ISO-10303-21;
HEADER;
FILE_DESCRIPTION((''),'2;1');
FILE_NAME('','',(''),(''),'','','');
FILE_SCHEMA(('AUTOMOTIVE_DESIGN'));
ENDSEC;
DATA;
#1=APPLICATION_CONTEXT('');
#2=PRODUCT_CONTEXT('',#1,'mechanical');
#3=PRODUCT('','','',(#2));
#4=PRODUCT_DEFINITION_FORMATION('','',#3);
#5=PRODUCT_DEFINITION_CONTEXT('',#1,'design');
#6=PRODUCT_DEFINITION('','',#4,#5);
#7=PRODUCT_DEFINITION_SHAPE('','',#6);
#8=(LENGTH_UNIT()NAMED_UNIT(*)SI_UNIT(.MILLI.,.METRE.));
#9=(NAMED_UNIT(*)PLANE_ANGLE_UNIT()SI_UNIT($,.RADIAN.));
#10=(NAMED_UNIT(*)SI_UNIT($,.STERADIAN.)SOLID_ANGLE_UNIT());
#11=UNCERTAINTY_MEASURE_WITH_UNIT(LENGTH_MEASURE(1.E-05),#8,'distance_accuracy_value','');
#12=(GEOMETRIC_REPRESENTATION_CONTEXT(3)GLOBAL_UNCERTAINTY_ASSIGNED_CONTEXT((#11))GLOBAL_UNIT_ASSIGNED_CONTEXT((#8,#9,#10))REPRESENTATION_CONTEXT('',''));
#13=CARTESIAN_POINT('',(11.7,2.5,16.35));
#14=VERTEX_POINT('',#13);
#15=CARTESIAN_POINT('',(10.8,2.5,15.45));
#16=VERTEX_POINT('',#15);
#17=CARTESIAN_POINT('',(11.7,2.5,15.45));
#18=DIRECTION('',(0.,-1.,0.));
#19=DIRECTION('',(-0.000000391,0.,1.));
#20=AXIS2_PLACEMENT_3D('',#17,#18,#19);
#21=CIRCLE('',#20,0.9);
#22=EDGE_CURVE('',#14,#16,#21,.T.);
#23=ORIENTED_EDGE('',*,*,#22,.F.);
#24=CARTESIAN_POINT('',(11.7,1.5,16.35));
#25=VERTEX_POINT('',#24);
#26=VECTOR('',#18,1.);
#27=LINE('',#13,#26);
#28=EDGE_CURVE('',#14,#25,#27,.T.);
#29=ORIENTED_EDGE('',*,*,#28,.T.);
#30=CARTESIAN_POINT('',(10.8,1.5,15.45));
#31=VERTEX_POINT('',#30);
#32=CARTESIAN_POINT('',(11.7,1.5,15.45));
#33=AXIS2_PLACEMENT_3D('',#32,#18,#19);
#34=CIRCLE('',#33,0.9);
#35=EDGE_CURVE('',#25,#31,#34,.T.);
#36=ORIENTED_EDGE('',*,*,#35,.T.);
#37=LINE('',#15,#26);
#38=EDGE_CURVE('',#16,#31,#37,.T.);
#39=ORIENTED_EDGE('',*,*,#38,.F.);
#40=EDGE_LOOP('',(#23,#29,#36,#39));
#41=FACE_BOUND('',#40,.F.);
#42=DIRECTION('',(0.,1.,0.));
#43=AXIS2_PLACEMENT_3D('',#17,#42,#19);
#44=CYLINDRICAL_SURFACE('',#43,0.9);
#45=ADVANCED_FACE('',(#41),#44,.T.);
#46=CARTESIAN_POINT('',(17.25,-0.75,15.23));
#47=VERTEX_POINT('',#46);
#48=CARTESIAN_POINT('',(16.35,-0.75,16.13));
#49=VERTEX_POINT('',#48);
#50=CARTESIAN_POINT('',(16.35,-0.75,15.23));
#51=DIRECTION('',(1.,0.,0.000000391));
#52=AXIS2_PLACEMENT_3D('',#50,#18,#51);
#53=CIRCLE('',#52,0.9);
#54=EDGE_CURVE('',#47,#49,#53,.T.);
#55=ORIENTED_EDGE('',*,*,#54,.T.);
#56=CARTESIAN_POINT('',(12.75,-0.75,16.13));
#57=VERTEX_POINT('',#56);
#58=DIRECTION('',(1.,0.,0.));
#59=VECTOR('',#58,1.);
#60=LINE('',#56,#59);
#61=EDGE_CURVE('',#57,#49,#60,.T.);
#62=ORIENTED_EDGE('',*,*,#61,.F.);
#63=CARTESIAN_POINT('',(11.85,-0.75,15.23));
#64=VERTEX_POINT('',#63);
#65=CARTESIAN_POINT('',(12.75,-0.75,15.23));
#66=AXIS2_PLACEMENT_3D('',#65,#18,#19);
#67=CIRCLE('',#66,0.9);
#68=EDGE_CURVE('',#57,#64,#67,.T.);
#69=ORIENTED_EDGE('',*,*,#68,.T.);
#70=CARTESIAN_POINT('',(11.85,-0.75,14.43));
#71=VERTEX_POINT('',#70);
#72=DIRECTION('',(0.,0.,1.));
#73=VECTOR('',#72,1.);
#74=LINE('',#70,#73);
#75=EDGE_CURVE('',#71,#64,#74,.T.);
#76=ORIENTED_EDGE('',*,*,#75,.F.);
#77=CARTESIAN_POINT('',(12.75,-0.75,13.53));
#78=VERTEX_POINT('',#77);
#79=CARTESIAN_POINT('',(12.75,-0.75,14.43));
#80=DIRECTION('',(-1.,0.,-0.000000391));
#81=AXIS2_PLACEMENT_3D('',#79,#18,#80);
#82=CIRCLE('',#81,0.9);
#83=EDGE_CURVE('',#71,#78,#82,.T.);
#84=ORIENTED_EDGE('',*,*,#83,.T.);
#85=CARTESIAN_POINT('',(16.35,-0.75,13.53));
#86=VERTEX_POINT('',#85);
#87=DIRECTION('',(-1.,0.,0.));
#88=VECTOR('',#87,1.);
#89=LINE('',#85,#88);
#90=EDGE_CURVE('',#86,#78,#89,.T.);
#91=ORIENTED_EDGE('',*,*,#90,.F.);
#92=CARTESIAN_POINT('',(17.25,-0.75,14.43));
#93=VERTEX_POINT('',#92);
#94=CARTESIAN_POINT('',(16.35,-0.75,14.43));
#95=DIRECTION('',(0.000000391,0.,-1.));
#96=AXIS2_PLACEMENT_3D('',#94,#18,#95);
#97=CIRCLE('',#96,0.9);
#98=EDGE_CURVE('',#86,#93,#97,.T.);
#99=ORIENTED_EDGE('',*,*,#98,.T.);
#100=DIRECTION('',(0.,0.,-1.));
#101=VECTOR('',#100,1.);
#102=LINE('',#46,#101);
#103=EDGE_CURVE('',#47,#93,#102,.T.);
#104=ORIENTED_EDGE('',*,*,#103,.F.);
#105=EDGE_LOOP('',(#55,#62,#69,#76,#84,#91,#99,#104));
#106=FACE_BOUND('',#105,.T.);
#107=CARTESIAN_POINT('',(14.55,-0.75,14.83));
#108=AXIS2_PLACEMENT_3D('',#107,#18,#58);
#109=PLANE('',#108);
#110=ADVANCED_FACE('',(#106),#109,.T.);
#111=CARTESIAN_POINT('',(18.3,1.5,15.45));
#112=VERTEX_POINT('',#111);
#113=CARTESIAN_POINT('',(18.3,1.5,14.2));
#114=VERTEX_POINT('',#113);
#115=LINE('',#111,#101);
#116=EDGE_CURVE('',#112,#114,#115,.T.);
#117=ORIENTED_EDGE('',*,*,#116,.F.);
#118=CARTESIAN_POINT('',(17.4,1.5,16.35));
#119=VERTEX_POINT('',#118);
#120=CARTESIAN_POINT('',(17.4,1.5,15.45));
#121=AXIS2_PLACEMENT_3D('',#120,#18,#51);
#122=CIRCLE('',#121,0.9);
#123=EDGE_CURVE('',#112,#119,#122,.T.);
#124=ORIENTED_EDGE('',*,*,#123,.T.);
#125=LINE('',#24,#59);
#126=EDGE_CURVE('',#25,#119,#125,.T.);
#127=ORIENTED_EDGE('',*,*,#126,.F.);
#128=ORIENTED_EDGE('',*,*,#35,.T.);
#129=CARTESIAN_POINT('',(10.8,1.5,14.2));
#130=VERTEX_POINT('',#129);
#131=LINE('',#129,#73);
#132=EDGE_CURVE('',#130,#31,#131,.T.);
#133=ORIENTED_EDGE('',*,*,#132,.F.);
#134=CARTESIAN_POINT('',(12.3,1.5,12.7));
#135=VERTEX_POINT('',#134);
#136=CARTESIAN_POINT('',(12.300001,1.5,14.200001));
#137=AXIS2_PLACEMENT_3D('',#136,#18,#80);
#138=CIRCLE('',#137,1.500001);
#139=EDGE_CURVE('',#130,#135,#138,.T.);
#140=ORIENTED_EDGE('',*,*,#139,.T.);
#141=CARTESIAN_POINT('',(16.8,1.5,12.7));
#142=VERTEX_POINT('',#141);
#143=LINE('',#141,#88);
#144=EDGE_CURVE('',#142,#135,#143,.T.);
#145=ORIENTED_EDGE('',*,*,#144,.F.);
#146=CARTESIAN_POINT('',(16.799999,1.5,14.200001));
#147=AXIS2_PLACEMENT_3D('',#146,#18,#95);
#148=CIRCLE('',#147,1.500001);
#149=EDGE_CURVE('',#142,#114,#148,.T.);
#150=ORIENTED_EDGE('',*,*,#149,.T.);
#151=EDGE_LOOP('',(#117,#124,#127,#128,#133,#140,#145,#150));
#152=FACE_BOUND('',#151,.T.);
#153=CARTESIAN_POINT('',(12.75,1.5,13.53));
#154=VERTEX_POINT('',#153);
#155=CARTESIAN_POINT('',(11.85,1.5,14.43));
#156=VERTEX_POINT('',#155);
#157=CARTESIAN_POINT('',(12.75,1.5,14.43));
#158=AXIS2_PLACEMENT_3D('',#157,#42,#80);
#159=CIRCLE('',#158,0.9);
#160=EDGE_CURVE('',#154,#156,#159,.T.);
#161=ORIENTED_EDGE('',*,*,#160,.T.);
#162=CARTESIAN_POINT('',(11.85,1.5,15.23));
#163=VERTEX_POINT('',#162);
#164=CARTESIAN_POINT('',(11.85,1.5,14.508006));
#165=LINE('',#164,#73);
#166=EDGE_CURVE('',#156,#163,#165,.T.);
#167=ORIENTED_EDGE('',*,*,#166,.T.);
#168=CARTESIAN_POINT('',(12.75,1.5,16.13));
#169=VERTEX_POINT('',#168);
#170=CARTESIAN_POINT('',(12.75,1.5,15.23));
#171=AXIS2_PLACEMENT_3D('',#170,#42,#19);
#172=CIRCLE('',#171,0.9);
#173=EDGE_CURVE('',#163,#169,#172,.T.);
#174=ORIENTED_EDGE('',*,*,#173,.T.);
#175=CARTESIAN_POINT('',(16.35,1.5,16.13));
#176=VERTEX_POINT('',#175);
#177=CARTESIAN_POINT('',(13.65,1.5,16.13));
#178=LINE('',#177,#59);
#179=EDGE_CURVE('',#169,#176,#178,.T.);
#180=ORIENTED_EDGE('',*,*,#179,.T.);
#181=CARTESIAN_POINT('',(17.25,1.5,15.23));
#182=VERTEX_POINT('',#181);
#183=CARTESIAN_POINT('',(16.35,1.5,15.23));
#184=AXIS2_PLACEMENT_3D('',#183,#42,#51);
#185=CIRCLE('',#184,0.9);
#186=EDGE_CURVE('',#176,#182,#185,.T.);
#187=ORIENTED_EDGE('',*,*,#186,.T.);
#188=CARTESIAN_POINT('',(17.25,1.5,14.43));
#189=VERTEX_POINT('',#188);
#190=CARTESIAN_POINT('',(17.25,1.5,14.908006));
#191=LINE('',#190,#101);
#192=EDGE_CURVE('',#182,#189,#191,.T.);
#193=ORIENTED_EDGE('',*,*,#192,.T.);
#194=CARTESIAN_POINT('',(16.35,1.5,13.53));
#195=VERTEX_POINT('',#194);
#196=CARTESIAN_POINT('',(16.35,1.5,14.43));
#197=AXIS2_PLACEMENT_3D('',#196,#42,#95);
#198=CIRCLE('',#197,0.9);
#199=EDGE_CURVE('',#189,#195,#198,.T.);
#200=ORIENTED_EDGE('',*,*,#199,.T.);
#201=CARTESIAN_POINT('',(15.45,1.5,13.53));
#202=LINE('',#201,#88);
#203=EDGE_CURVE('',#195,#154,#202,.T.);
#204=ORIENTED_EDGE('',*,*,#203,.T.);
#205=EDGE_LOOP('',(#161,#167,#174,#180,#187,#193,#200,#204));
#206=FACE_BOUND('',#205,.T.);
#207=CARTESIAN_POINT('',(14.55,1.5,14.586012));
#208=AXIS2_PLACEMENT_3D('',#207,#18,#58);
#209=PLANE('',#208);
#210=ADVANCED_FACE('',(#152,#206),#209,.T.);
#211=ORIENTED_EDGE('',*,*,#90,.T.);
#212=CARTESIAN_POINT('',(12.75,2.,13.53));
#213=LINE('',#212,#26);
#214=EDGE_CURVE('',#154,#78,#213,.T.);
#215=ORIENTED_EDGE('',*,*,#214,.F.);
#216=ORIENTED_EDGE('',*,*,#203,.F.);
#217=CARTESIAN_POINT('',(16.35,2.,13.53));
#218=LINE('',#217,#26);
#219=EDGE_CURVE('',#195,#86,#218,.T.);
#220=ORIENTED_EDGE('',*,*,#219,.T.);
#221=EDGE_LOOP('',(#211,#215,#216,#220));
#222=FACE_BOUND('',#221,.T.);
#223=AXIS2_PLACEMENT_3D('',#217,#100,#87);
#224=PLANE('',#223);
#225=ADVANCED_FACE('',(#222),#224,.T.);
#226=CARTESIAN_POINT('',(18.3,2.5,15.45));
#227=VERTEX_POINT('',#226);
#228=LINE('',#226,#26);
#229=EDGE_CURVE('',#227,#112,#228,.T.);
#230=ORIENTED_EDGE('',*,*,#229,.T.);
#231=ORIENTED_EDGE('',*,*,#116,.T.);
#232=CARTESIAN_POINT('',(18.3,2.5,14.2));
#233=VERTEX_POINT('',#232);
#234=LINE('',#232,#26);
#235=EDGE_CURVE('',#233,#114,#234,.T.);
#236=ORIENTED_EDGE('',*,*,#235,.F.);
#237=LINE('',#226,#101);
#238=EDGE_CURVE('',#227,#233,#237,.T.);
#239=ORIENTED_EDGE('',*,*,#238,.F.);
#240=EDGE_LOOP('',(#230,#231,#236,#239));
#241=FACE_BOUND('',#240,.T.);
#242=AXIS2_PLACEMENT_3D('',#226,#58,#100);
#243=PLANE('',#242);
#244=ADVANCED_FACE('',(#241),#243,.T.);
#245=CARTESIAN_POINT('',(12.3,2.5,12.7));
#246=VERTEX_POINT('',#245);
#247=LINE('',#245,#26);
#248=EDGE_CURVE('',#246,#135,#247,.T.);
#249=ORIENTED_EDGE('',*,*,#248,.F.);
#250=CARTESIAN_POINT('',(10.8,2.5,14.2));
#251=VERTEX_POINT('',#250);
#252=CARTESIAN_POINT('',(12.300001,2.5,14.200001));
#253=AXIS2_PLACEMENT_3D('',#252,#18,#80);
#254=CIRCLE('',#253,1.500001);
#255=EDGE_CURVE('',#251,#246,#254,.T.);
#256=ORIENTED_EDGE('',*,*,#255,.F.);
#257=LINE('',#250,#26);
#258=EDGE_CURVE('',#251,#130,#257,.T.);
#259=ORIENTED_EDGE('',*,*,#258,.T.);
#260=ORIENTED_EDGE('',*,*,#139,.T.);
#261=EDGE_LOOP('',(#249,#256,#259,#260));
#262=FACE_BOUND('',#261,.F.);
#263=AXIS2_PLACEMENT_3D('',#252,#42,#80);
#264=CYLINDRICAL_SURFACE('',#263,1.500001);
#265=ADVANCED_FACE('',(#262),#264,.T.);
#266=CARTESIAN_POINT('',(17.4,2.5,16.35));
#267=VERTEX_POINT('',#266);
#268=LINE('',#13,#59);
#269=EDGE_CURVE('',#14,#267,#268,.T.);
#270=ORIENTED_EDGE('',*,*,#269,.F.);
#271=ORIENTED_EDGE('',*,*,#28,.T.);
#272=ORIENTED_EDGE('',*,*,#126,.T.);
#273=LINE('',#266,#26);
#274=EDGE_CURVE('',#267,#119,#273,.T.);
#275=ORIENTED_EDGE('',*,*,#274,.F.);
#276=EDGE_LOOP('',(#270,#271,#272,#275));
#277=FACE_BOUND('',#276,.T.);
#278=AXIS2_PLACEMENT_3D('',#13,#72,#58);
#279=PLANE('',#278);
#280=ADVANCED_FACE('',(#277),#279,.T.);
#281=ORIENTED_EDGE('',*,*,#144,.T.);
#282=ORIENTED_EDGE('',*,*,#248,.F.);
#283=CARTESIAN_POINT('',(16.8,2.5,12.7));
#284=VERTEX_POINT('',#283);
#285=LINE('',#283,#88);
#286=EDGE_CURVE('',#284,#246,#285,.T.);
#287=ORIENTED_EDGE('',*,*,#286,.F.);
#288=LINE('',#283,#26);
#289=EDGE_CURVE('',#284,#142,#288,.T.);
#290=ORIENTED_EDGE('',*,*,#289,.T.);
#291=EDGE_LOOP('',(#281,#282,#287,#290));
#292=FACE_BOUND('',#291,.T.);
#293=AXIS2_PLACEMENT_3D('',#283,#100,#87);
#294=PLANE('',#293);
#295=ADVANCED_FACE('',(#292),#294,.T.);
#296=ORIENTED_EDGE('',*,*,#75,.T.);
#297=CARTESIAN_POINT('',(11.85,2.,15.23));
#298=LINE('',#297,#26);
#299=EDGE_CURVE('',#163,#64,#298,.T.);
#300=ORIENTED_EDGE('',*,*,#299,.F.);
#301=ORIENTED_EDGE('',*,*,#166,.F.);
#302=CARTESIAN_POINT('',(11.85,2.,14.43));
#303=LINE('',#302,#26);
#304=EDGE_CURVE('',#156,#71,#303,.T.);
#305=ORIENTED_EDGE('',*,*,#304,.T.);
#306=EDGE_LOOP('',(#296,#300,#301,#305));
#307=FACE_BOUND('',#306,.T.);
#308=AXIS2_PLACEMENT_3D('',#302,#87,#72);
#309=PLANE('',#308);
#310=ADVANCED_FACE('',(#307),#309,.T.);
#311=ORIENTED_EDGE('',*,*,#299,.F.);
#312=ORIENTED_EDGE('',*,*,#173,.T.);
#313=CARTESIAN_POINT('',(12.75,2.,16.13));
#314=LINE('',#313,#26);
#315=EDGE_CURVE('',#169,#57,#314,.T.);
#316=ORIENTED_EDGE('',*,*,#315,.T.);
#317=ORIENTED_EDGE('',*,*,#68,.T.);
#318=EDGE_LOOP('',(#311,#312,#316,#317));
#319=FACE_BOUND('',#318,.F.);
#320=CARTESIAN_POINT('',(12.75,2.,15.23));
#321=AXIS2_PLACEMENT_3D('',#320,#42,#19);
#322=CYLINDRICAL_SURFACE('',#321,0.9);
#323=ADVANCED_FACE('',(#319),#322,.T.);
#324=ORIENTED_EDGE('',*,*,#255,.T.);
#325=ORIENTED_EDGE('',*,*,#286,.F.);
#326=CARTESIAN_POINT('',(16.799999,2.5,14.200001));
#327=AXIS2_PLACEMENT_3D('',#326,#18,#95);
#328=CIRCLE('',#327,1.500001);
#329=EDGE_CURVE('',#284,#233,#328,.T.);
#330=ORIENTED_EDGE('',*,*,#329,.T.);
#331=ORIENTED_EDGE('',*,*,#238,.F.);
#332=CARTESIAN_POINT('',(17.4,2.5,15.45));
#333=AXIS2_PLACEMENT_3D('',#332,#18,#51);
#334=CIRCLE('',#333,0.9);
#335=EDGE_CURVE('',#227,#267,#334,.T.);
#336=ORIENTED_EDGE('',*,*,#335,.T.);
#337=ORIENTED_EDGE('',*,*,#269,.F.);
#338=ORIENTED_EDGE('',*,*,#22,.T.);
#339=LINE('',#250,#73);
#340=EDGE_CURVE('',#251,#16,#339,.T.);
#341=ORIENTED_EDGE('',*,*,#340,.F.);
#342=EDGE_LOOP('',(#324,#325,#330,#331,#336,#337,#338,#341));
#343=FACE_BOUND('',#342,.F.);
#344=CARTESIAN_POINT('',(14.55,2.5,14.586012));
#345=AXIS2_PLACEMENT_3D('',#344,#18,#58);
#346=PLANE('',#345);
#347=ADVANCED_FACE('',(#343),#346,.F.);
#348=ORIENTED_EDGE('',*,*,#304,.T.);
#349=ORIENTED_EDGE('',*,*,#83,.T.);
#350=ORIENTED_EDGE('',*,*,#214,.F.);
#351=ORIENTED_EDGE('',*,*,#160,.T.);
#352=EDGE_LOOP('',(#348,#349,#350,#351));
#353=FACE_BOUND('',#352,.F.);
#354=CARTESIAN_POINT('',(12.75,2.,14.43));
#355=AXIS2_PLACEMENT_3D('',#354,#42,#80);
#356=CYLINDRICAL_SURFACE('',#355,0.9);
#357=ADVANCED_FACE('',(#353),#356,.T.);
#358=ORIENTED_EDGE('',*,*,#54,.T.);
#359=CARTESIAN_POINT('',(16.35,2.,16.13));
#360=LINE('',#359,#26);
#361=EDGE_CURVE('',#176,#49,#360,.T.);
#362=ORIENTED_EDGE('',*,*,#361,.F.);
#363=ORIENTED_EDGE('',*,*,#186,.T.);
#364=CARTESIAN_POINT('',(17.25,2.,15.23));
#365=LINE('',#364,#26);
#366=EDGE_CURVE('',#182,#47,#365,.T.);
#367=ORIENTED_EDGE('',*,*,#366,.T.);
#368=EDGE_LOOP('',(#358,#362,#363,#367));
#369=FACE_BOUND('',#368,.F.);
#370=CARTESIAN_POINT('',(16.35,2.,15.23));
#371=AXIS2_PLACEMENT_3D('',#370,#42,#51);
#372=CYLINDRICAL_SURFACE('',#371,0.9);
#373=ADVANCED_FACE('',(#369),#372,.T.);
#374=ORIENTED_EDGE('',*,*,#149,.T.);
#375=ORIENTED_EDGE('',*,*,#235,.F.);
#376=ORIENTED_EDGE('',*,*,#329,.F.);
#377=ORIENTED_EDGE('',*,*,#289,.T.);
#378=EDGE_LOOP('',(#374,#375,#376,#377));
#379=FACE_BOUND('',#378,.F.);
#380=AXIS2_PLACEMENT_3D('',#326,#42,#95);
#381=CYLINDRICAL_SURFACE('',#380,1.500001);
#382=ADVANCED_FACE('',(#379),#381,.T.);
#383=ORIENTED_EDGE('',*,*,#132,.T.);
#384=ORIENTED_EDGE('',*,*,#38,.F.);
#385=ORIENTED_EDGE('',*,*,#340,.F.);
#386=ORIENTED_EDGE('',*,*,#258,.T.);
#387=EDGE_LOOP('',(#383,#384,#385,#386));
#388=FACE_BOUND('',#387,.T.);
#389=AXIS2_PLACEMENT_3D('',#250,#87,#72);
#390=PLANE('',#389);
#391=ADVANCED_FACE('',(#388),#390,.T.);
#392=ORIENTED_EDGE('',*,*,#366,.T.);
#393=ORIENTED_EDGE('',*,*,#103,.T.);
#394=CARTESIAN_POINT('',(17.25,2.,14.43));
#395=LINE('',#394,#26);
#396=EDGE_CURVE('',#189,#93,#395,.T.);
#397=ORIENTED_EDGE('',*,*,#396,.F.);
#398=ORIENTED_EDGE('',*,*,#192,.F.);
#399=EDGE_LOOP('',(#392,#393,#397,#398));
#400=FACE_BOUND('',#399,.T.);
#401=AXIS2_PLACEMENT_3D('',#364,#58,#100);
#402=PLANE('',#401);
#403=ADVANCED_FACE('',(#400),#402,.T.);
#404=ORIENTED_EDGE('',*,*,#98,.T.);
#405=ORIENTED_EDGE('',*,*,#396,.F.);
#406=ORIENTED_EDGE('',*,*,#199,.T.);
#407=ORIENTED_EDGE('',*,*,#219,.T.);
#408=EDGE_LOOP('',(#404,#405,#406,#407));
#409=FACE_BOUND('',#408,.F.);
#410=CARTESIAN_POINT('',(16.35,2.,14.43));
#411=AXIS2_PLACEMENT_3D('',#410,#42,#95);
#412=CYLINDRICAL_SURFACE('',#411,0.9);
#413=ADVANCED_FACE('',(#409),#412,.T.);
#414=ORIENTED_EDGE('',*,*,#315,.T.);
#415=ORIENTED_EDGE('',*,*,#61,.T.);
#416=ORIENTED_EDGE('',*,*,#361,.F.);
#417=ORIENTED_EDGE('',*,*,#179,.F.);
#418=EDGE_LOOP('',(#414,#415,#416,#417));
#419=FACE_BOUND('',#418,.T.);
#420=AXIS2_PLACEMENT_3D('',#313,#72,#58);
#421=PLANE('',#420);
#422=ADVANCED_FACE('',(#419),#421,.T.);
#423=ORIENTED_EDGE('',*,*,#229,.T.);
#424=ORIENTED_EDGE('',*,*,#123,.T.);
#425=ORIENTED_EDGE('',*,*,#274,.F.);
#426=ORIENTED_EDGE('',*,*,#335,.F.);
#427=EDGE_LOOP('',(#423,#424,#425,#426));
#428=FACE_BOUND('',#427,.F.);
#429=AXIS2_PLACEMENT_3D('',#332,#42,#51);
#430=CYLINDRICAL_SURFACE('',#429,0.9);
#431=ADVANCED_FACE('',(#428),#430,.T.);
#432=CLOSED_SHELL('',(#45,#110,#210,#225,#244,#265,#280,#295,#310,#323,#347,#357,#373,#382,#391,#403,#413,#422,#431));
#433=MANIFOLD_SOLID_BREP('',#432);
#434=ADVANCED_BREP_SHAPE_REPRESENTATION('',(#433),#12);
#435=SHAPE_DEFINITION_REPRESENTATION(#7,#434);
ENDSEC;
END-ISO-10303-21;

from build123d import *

# Parameters (mm, degrees)
EXTRUDE015_DEPTH = 1
EXTRUDE014_DEPTH = 2.75


with BuildPart() as extrude015:
    # Sketch015 → Extrude015 (new body)
    with BuildSketch(Plane.XZ):
        with BuildLine():
            ThreePointArc((11.7, 16.35), (11.063604, 16.086396), (10.8, 15.45))
            Line((10.8, 14.2), (10.8, 15.45))
            ThreePointArc((10.8, 14.2), (11.23934, 13.13934), (12.3, 12.7))
            Line((16.8, 12.7), (12.3, 12.7))
            ThreePointArc((16.8, 12.7), (17.86066, 13.13934), (18.3, 14.2))
            Line((18.3, 15.45), (18.3, 14.2))
            ThreePointArc((18.3, 15.45), (18.036396, 16.086396), (17.4, 16.35))
            Line((11.7, 16.35), (17.4, 16.35))
        make_face()
    extrude(amount=EXTRUDE015_DEPTH)


with BuildPart() as extrude015_1:
    # Extrude015 placement: moved
    add(extrude015.part.moved(Location((0, 2.5, 0))))


with BuildPart() as button1:
    # Sketch014 → Extrude014 (new body)
    with BuildSketch(Plane.XZ):
        with BuildLine():
            ThreePointArc((12.75, 16.13), (12.113604, 15.866396), (11.85, 15.23))
            Line((11.85, 14.43), (11.85, 15.23))
            ThreePointArc((11.85, 14.43), (12.113604, 13.793604), (12.75, 13.53))
            Line((16.35, 13.53), (12.75, 13.53))
            ThreePointArc((16.35, 13.53), (16.986396, 13.793604), (17.25, 14.43))
            Line((17.25, 15.23), (17.25, 14.43))
            ThreePointArc((17.25, 15.23), (16.986396, 15.866396), (16.35, 16.13))
            Line((12.75, 16.13), (16.35, 16.13))
        make_face()
    extrude(amount=EXTRUDE014_DEPTH)


with BuildPart() as button1_1:
    # Extrude014 placement: moved
    add(button1.part.moved(Location((0, 2, 0))))

    # Fusion018: union Extrude015
    add(extrude015_1.part)


solid = button1_1.part
